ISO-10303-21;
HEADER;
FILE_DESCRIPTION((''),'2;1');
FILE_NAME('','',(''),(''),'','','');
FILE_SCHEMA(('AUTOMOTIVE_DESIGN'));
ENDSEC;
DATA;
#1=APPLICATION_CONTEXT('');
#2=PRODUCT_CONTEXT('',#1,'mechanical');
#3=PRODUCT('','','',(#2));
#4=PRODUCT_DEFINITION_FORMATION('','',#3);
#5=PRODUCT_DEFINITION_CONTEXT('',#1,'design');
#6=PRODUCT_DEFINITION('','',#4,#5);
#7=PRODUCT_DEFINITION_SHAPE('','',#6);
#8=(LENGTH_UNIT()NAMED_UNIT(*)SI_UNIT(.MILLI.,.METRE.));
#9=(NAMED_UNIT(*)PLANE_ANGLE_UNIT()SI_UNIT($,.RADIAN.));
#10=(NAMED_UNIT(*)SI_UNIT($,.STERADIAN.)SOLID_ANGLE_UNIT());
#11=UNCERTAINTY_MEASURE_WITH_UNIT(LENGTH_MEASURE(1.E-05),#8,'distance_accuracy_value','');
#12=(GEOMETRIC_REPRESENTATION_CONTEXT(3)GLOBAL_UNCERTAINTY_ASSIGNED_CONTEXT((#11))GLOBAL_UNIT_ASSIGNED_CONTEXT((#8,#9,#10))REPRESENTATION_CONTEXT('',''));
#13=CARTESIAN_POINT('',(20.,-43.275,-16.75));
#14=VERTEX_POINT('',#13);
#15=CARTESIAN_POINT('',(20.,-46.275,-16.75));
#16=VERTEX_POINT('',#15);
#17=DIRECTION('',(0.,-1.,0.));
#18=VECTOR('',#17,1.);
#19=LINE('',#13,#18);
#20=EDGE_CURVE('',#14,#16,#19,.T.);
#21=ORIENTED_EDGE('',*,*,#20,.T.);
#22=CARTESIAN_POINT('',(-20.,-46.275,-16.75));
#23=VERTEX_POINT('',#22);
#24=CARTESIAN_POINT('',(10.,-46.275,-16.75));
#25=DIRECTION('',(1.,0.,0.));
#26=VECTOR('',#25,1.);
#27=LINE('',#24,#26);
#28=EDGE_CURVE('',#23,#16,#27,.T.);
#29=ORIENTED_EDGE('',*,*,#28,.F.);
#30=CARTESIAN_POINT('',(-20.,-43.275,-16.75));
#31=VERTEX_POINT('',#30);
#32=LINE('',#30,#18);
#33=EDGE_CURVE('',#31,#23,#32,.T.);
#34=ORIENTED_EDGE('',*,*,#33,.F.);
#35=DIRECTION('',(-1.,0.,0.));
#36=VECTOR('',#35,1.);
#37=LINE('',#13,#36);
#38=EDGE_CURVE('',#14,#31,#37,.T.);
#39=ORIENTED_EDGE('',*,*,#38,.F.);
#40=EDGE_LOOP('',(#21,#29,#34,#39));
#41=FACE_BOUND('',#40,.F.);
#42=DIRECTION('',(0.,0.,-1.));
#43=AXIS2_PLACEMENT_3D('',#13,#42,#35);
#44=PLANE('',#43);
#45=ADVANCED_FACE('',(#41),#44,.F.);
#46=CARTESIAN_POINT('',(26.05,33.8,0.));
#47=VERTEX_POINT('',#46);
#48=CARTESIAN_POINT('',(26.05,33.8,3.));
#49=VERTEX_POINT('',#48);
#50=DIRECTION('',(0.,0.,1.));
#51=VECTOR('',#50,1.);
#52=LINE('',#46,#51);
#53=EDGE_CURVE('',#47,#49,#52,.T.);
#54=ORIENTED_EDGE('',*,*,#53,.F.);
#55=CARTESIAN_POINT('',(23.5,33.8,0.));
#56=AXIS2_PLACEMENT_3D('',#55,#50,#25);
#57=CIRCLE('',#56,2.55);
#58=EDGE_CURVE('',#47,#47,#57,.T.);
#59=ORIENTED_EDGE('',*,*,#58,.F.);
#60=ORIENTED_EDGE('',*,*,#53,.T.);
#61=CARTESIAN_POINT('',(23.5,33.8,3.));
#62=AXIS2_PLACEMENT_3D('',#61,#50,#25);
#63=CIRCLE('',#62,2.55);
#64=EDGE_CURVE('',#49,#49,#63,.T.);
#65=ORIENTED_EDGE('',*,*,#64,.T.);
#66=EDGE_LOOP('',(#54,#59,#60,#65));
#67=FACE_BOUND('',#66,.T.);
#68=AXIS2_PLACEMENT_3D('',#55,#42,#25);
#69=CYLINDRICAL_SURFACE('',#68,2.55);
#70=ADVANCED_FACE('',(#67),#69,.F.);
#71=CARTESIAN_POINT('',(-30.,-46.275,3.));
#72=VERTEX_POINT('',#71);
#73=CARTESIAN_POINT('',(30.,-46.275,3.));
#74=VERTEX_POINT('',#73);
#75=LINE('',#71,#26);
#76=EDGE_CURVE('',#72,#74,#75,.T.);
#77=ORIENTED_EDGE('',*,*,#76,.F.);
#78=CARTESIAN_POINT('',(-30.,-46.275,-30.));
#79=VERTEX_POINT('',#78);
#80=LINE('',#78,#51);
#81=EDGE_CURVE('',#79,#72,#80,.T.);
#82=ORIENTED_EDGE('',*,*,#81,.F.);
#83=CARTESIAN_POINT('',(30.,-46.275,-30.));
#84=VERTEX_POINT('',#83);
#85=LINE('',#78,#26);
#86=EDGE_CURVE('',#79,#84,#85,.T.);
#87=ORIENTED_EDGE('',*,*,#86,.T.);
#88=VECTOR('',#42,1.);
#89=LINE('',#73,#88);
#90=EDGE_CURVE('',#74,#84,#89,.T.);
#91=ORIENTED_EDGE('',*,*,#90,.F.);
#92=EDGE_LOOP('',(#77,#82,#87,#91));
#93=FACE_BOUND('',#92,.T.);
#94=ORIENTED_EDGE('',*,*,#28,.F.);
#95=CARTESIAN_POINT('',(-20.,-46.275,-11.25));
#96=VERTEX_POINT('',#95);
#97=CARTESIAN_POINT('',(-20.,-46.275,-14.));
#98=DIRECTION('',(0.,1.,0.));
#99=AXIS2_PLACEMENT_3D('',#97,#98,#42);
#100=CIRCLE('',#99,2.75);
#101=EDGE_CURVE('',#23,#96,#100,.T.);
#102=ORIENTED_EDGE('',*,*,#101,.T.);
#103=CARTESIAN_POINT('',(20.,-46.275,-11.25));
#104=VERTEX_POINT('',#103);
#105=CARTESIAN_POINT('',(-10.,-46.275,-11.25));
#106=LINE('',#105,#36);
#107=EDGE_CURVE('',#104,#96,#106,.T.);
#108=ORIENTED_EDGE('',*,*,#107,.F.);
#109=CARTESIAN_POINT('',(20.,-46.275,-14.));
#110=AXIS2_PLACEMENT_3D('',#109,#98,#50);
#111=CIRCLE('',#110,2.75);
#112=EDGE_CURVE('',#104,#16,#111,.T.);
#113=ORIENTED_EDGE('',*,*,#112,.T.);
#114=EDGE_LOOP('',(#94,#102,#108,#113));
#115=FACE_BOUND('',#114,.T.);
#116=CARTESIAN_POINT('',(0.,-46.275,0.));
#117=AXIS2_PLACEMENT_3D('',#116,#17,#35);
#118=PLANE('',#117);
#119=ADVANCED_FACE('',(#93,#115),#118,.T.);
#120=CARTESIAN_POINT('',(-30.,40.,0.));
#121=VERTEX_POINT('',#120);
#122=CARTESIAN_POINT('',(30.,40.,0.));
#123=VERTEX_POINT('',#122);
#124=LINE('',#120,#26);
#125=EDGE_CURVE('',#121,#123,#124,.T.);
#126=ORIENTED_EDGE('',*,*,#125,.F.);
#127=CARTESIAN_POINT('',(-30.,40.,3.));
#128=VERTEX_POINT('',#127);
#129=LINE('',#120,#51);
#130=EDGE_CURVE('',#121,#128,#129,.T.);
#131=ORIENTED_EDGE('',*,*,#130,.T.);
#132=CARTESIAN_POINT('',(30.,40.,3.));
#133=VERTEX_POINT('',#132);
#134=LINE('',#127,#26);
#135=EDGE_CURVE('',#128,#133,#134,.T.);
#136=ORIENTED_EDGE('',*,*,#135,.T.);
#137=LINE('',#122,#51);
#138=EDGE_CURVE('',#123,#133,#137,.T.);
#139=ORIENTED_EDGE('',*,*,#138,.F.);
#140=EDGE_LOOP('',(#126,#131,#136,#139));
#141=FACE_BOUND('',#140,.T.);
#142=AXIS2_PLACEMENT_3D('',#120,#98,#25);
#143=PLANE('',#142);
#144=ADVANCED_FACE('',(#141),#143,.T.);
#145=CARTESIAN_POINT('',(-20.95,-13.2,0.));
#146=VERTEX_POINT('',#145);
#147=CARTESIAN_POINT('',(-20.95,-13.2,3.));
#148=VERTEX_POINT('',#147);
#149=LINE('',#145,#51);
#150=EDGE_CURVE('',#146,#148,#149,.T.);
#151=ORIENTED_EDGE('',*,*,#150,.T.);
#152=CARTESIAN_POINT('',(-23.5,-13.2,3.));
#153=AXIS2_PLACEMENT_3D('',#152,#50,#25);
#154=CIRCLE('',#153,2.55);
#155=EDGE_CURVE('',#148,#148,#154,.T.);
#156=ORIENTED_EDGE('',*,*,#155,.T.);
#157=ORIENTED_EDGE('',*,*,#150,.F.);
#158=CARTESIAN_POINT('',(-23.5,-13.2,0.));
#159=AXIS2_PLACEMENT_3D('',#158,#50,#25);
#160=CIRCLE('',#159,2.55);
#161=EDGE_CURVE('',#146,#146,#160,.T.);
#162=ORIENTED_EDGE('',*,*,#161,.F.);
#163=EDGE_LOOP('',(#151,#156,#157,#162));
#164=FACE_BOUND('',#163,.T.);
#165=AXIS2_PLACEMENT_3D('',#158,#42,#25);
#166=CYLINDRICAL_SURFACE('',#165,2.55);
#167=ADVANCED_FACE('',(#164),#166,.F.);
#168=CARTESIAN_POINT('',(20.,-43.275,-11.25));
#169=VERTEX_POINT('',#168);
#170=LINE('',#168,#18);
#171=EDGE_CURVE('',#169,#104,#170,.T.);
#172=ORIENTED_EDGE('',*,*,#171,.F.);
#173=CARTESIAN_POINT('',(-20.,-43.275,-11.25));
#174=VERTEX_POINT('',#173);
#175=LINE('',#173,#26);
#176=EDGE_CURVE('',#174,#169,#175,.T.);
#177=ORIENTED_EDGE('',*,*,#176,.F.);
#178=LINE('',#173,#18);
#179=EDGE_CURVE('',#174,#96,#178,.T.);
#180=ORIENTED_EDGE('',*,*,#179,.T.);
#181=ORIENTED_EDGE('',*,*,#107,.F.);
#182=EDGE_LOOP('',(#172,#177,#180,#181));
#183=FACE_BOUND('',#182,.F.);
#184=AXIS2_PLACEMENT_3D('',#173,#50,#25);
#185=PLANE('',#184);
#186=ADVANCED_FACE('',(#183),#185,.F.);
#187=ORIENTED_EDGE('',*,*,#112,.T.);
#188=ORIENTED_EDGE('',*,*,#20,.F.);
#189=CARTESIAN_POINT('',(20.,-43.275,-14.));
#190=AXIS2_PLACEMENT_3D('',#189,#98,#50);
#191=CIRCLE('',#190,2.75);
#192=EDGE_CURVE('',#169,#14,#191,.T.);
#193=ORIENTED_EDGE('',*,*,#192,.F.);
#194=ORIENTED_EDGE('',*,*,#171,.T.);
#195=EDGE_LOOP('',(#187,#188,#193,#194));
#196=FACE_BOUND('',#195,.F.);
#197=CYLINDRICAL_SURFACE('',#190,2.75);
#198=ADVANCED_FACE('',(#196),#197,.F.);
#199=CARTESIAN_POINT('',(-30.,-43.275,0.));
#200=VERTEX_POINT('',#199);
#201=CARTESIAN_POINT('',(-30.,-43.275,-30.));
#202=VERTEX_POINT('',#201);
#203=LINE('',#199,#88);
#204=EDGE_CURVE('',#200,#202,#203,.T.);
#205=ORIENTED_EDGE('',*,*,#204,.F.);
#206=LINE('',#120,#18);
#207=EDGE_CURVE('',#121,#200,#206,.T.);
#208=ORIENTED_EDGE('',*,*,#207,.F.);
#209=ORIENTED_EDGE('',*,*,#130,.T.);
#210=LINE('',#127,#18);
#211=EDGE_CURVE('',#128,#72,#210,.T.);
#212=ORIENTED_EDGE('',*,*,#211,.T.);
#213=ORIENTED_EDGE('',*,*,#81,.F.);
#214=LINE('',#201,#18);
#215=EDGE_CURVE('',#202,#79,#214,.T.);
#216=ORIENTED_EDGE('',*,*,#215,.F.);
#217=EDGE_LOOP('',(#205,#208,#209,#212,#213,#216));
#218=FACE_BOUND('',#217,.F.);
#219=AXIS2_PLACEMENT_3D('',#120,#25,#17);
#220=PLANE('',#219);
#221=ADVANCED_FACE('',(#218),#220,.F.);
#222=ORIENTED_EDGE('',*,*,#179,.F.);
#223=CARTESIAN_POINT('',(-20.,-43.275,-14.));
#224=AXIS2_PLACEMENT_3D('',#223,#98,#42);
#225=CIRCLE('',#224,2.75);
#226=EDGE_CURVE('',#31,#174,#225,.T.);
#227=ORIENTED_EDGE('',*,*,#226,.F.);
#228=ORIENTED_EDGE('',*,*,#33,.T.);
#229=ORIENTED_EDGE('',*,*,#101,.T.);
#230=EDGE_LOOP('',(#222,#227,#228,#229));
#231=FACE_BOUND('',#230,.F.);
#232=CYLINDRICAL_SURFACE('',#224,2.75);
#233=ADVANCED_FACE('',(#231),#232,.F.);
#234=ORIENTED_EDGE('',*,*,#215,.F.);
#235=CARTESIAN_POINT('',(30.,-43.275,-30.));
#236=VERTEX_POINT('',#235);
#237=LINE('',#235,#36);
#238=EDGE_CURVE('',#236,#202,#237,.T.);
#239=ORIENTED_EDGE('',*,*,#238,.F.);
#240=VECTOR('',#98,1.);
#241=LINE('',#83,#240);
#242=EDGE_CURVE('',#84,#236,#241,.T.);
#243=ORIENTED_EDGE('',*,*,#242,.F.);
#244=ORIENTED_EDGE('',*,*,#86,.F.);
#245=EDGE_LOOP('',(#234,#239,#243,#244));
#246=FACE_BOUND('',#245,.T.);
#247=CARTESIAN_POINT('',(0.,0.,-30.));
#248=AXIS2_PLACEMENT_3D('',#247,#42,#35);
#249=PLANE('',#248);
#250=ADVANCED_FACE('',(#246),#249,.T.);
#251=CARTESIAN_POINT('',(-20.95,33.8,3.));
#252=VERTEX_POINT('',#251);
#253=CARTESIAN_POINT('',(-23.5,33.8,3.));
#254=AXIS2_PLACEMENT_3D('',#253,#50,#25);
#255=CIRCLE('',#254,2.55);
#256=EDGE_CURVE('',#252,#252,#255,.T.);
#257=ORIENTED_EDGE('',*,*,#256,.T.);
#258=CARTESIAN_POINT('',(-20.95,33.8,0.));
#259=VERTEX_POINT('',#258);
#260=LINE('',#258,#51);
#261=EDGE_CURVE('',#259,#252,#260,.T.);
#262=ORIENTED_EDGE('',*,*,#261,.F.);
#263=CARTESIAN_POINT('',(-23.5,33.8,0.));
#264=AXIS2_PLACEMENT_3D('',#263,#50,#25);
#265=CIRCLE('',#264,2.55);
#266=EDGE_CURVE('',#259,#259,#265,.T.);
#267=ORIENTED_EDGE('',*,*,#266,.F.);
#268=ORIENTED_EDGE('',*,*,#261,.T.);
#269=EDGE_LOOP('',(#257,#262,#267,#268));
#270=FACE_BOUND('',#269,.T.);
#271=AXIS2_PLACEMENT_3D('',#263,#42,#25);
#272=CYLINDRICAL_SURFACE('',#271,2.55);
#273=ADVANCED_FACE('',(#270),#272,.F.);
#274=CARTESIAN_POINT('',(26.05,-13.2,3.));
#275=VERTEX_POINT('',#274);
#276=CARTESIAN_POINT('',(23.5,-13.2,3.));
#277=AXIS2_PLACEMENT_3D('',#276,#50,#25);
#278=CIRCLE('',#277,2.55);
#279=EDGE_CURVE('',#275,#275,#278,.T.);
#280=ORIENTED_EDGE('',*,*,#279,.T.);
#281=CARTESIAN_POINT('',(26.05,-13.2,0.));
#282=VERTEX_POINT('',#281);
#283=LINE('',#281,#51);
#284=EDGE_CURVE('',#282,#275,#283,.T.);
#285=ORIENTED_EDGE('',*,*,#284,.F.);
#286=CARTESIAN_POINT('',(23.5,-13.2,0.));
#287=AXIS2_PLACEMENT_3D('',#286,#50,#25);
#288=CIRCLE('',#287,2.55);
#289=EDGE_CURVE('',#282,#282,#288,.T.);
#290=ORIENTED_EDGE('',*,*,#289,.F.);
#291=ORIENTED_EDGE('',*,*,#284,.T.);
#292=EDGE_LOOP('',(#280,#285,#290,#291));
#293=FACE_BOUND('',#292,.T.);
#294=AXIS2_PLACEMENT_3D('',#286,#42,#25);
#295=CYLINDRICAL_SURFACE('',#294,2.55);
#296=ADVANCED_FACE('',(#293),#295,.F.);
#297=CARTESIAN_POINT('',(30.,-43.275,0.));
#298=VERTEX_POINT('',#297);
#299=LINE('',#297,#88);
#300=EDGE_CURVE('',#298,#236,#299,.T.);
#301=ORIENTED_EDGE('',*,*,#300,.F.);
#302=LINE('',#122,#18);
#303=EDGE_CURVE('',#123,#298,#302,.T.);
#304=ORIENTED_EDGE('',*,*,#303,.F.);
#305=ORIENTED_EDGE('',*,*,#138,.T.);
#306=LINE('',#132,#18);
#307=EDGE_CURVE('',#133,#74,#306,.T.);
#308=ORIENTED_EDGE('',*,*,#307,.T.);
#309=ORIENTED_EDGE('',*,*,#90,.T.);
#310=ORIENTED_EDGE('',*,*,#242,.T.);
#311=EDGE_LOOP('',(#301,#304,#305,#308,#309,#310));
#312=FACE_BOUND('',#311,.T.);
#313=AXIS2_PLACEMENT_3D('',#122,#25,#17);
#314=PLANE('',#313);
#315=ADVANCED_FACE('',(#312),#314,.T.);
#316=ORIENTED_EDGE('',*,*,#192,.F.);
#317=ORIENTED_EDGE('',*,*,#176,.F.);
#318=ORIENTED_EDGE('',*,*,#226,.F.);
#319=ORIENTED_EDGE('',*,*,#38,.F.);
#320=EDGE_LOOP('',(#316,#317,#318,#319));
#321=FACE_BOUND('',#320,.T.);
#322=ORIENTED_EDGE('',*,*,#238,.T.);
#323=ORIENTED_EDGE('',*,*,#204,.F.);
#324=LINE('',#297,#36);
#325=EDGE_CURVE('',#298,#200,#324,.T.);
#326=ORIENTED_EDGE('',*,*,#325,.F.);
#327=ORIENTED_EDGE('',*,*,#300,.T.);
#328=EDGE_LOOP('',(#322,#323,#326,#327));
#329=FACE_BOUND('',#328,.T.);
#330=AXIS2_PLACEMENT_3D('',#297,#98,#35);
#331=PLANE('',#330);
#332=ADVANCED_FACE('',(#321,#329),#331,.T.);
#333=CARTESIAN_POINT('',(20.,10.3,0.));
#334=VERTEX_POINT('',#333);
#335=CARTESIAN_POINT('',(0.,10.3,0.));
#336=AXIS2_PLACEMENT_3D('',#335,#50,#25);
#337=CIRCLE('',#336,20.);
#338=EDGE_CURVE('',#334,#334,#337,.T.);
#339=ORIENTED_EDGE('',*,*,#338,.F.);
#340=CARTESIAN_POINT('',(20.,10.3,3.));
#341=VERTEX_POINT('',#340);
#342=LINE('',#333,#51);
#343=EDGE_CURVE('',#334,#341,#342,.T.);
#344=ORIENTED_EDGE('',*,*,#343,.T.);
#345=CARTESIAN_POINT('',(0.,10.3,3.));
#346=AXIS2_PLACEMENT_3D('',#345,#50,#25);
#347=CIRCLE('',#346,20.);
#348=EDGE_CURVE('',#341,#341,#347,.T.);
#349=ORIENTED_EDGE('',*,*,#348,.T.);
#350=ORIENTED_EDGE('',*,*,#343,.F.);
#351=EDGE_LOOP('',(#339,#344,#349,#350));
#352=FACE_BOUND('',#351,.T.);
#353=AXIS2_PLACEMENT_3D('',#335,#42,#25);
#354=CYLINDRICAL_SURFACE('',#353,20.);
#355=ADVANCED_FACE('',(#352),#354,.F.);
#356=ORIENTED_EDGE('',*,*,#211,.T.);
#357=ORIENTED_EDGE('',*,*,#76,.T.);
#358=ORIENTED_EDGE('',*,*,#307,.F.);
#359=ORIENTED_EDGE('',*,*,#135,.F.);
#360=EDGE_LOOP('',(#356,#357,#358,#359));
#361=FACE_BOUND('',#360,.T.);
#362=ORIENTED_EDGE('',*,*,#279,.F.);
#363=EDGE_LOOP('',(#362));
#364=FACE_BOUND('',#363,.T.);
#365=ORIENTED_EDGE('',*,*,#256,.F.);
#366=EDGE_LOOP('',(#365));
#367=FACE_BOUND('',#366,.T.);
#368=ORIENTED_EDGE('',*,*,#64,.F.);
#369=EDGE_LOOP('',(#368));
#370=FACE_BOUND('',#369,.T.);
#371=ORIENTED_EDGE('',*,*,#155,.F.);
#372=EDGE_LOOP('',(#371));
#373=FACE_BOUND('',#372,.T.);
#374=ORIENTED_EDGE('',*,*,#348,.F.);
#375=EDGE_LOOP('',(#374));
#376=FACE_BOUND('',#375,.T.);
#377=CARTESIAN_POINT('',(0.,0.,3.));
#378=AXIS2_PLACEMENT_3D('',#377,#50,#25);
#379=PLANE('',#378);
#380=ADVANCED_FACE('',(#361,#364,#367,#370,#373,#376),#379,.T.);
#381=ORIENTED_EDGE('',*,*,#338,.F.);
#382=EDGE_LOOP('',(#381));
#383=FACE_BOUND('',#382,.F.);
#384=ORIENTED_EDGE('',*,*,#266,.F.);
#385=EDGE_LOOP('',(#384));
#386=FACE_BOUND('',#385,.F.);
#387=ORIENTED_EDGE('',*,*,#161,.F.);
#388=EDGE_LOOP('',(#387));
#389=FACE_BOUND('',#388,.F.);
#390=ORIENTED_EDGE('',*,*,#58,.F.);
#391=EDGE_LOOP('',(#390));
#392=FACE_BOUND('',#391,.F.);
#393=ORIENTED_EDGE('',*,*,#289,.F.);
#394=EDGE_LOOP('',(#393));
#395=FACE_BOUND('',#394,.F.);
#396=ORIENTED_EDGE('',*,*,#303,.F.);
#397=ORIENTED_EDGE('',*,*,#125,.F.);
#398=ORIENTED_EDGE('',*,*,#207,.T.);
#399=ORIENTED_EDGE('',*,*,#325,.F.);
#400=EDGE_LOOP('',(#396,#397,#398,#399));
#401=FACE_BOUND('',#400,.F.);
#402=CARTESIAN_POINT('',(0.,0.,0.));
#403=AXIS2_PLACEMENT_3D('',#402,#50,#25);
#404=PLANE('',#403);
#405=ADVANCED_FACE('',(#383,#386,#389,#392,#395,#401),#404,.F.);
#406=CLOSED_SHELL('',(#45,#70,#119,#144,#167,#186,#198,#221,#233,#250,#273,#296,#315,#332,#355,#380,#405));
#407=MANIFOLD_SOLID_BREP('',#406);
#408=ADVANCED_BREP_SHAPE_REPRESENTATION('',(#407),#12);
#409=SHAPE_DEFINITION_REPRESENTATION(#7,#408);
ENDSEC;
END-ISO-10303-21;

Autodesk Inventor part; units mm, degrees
ref_plane "YZ Plane" through (0, 0, 0) normal (1, 0, 0) x (0, 1, 0)
ref_plane "XZ Plane" through (0, 0, 0) normal (0, 1, 0) x (-1, 0, 0)
ref_plane "XY Plane" through (0, 0, 0) normal (0, 0, 1) x (1, 0, 0)
sketch "Sketch1" plane through (0, 0, 0) normal (0, 0, 1) x (1, 0, 0)
  line L0 (-30, 40) -> (30, 40)
  line L1 (0, 40) -> (0, 10.3) construction
  circle A0 centre (0, 10.3) radius 20
  line L2 (-23.5, -13.2) -> (23.5, -13.2) construction
  line L3 (23.5, -13.2) -> (23.5, 33.8) construction
  line L4 (23.5, 33.8) -> (-23.5, 33.8) construction
  line L5 (-23.5, 33.8) -> (-23.5, -13.2) construction
  line L6 (23.5, -13.2) -> (-23.5, 33.8) construction
  circle A1 centre (-23.5, 33.8) radius 2.55
  circle A2 centre (23.5, 33.8) radius 2.55
  circle A3 centre (-23.5, -13.2) radius 2.55
  circle A4 centre (23.5, -13.2) radius 2.55
  line L7 (0, -46.275) -> (-30, -46.275)
  line L8 (0, -46.275) -> (30, -46.275)
  line L9 (-30, 40) -> (-30, -46.275)
  line L10 (30, 40) -> (30, -46.275)
  point P0 (0, 0)
  dimension "d2" = 29.7
  dimension "d3" = 40
  dimension "d4" = 47
  dimension "d5" = 47
  dimension "d6" = 5.1
  dimension "d7" = 5.1
  dimension "d8" = 5.1
  dimension "d9" = 5.1
  dimension "d12" = 56.575
  dimension "d13" = 30
  dimension "d14" = 30
extrude "Extrusion1" add sketch "Sketch1" along normal blind 3
sketch "Sketch2" plane through (0, 0, 0) normal (0, 0, -1) x (-1, 0, 0)
  line L0 (30, -46.275) -> (-30, -46.275) projected
  line L1 (-30, -46.275) -> (-30, 40) projected
  line L2 (30, -46.275) -> (-30, -46.275)
  line L3 (-30, -46.275) -> (-30, -43.275)
  line L4 (-30, -43.275) -> (30, -43.275)
  line L5 (30, -43.275) -> (30, -46.275)
  point P0 (0, 0)
  dimension "d15" = 3
extrude "Extrusion2" add sketch "Sketch2" along normal blind 30
sketch "Sketch3" plane through (-30, -43.275, 0) normal (0, 1, 0) x (1, 0, 0)
  line L0 (60, -3) -> (0, -3) construction
  line L1 (30, -3) -> (30, 17.57) construction
  line L2 (30, -3) -> (30, 10.43) construction
  line L3 (30, 10.43) -> (30, 17.57) construction
  line L4 (30, 14) -> (65.9748, 14) construction
  line L5 (65.9748, 14) -> (-8.6143, 14) construction
  line L6 (10, 14) -> (50, 14) construction
  line L7 (10, 11.25) -> (50, 11.25)
  line L8 (50, 16.75) -> (10, 16.75)
  arc A0 (10, 16.75) -> (10, 11.25) centre (10, 14) ccw
  arc A1 (50, 11.25) -> (50, 16.75) centre (50, 14) ccw
  point P0 (30, 0)
  dimension "d18" = 20.57
  dimension "d19" = 13.43
  dimension "d20" = 20
  dimension "d21" = 5.5
extrude "Extrusion3" cut sketch "Sketch3" against normal through all
properties part number "Nema23MountPlate" material "Aluminum 6061"
